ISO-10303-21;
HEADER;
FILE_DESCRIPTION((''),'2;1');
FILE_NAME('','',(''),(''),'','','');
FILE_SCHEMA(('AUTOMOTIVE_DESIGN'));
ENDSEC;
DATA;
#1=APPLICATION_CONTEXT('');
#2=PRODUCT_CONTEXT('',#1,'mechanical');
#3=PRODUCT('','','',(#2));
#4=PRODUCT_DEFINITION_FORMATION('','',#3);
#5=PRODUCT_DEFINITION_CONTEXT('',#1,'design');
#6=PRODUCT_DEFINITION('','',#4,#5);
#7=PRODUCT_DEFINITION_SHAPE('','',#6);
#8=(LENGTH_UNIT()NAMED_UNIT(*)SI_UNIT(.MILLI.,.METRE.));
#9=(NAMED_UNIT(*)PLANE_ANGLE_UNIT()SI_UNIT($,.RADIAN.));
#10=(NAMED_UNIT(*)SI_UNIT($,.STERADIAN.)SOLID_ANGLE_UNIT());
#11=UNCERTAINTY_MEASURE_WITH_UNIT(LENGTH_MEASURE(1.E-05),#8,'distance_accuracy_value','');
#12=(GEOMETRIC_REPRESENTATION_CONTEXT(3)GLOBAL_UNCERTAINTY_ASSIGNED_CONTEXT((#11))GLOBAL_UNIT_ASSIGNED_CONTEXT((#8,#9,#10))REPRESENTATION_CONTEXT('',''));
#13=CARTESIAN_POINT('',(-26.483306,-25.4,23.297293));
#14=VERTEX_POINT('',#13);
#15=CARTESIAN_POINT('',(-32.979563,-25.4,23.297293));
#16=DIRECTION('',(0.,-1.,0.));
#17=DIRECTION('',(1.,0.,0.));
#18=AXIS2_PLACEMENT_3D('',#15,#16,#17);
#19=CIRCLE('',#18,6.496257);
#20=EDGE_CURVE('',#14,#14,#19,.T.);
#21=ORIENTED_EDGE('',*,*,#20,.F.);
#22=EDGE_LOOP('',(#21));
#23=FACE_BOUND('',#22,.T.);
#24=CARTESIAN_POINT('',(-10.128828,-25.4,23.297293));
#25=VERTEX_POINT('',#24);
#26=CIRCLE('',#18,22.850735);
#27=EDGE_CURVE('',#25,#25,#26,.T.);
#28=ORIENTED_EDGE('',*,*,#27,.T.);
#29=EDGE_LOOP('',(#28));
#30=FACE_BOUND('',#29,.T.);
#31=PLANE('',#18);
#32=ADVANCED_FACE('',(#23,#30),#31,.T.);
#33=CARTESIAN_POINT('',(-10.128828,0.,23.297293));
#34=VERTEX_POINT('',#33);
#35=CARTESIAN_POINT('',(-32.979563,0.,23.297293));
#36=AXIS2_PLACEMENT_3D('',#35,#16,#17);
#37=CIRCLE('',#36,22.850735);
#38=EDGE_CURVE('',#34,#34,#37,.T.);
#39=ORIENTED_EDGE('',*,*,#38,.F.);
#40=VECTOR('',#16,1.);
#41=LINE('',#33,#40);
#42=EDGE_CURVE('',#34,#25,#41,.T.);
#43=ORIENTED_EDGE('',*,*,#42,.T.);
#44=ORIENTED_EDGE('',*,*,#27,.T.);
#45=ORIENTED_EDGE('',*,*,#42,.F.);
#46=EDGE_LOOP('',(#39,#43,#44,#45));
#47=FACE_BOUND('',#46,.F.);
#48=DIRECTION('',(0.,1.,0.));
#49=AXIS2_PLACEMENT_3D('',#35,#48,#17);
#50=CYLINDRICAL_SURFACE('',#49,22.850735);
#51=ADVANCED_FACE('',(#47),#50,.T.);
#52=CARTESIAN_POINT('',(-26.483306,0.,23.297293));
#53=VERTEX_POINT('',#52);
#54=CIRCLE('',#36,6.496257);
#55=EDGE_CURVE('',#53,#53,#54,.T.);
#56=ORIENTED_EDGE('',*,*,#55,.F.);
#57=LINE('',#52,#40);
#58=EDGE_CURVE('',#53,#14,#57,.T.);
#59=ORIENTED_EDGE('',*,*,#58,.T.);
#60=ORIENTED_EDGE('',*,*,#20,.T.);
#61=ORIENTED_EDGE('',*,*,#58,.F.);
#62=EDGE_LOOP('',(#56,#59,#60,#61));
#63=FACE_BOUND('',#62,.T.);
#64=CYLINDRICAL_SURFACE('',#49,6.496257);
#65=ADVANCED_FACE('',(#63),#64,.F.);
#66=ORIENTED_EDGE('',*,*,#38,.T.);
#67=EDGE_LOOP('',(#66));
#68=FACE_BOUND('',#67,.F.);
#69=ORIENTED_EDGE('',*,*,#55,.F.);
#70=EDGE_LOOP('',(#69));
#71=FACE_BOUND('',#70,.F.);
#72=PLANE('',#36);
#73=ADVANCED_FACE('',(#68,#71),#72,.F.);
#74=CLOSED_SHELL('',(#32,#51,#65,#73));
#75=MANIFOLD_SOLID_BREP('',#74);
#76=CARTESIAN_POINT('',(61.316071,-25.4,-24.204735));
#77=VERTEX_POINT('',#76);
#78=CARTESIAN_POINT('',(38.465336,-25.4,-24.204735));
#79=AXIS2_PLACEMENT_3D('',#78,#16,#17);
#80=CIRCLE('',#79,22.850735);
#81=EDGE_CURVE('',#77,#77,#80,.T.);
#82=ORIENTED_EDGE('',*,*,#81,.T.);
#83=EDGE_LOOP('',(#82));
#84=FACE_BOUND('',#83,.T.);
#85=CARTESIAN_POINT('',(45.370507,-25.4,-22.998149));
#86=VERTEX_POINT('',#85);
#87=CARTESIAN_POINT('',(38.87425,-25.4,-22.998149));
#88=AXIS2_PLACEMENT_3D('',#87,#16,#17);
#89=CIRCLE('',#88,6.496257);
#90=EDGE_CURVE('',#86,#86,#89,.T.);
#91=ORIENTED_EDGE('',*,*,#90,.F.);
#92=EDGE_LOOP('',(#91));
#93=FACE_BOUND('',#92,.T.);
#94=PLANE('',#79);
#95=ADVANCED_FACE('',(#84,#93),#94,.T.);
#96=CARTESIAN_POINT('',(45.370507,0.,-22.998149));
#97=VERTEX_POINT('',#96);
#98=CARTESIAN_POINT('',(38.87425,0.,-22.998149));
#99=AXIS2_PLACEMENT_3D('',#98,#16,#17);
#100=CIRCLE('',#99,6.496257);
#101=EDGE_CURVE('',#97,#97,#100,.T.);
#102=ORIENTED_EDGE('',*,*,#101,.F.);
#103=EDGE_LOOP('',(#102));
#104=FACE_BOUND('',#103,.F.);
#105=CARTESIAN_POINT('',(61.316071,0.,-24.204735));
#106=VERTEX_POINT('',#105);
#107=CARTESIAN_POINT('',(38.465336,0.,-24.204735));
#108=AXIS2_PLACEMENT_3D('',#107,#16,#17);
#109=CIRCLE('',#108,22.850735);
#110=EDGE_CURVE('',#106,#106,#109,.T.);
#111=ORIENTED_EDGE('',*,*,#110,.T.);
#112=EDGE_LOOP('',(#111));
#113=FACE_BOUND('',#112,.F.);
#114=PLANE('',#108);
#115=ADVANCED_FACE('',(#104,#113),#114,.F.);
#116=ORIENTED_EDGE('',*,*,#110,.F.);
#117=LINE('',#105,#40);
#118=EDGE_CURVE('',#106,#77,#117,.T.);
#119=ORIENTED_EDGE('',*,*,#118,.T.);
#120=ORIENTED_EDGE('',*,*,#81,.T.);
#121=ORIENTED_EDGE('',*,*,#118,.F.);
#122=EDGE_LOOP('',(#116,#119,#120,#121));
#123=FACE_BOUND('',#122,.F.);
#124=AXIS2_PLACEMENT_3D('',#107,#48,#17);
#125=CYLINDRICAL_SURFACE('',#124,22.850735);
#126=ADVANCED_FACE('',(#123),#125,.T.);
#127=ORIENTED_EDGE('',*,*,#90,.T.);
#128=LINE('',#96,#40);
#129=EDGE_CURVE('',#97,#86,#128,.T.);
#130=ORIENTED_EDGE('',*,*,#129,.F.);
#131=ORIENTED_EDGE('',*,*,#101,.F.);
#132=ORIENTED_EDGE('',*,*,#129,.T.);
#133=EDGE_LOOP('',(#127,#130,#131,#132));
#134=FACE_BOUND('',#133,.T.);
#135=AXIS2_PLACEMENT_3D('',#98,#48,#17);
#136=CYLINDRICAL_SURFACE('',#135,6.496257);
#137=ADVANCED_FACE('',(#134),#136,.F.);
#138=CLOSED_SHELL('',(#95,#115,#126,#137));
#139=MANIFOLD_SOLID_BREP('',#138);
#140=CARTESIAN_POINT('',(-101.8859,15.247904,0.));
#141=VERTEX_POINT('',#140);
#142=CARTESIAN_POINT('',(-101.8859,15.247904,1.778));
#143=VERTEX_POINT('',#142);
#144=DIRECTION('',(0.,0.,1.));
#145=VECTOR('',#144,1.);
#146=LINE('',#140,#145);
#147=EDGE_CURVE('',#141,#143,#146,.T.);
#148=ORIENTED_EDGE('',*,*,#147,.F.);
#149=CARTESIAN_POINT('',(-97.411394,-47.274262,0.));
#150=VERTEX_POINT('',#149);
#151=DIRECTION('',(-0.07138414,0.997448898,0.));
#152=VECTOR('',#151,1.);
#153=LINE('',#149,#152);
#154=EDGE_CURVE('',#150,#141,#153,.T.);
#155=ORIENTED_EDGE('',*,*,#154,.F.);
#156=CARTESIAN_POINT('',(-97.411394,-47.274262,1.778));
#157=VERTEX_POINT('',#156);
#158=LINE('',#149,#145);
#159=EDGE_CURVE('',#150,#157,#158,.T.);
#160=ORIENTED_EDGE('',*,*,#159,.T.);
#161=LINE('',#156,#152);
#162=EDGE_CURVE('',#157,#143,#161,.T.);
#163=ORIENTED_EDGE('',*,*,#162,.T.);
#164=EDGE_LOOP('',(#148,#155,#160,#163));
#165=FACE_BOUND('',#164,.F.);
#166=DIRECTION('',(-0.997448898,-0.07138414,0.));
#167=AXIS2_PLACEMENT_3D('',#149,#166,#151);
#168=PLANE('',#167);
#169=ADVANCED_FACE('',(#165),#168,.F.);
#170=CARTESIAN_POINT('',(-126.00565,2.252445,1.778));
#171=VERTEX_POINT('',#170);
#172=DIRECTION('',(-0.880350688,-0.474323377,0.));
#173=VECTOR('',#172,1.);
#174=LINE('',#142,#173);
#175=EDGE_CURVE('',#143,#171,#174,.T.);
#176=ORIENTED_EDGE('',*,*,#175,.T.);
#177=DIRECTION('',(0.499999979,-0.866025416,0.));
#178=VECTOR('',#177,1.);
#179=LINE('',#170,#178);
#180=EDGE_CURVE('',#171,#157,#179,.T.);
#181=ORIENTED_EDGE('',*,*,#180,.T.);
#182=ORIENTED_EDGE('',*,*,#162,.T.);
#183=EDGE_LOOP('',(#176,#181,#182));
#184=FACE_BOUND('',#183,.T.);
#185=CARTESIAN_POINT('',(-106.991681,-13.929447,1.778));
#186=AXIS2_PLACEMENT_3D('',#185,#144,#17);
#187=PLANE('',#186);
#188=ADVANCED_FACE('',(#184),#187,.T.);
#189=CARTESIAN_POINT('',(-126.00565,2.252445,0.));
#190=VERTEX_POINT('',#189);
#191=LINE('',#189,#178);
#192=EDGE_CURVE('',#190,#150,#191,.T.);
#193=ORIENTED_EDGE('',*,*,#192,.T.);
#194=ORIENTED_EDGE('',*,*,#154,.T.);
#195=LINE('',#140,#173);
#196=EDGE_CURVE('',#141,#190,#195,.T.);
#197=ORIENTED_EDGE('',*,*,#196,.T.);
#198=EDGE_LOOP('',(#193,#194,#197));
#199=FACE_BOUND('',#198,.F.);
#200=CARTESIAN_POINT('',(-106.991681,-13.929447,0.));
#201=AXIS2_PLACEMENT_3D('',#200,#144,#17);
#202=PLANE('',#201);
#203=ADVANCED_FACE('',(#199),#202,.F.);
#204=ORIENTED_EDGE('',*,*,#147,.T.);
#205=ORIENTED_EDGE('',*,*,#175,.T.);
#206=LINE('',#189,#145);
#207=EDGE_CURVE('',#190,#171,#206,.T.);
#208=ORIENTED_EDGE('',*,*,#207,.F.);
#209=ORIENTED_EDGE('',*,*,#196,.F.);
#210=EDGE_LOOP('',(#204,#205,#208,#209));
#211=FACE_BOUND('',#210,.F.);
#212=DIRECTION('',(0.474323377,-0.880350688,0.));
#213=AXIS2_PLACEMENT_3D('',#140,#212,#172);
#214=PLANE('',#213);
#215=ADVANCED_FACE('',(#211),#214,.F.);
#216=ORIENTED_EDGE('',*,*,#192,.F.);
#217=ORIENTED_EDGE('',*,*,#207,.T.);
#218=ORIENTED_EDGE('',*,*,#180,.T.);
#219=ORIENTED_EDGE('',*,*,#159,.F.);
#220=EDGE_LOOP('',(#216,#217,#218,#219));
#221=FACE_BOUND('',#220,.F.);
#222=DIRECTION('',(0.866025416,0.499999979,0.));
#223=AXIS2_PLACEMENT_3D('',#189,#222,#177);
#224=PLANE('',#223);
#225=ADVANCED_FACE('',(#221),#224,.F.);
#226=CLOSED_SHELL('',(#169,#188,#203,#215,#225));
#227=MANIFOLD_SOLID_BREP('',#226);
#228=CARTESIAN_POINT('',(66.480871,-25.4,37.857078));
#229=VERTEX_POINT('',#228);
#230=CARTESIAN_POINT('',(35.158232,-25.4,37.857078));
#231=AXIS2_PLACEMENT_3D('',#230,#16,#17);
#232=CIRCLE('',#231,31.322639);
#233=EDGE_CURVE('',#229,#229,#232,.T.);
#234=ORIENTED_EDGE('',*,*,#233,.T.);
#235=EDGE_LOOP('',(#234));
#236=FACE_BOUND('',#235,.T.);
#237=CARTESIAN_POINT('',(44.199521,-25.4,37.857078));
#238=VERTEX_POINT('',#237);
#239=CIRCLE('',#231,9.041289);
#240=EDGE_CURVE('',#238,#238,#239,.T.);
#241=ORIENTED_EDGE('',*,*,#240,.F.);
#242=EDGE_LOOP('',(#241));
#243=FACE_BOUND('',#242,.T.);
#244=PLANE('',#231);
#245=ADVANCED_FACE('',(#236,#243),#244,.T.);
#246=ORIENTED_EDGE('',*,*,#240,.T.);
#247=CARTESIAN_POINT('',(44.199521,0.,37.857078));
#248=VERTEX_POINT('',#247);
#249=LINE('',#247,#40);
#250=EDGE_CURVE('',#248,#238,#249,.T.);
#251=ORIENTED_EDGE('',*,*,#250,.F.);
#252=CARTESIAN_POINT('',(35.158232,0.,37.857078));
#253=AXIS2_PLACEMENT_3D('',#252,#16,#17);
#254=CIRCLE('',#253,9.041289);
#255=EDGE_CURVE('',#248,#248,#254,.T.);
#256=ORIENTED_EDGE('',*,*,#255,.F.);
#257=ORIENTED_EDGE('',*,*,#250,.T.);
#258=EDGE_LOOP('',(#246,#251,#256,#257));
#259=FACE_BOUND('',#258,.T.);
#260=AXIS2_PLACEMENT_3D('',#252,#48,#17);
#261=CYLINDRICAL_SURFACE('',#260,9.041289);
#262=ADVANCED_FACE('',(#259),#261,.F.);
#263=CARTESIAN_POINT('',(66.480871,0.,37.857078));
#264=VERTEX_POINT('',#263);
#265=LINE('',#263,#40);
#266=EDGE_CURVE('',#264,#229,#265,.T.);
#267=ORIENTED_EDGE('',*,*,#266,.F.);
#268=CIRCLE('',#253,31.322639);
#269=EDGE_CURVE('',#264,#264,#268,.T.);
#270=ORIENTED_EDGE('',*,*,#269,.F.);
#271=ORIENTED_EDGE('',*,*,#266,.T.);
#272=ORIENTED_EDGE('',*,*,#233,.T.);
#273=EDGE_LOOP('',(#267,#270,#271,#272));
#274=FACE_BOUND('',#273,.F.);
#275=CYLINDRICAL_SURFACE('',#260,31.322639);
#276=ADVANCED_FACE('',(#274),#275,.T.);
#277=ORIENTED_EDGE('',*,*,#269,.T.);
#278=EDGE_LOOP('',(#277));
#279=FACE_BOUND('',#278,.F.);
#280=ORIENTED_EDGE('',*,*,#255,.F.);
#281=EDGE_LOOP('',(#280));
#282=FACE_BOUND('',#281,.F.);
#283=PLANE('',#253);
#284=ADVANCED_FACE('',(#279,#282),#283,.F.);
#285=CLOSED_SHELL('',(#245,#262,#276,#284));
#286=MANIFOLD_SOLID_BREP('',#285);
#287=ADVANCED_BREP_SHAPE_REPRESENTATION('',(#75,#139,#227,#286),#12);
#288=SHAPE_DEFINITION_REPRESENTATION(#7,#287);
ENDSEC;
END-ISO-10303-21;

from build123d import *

# Parameters (mm, degrees)
F1_DEPTH = 1.778
F2_R     = 22.850735
F2_R_2   = 6.496257
F2_R_3   = 31.322639
F2_R_4   = 9.041289
F3_DEPTH = 25.4


with BuildPart() as f1:
    # F0 (on Top) → F1 (new body)
    with BuildSketch(Plane.XY):
        Polygon((-126.00565, 2.252445), (-97.411394, -47.274262), (-101.8859, 15.247904), align=None)
    extrude(amount=F1_DEPTH)


with BuildPart() as f3:
    # F2 (on Front) → F3 (new body)
    with BuildSketch(Plane.XZ):
        with Locations((-32.979563, 23.297293)):
            Circle(F2_R)
        with Locations((-32.979563, 23.297293)):
            Circle(F2_R_2, mode=Mode.SUBTRACT)
        with Locations((35.158232, 37.857078)):
            Circle(F2_R_3)
        with Locations((35.158232, 37.857078)):
            Circle(F2_R_4, mode=Mode.SUBTRACT)
        with Locations((38.465336, -24.204735)):
            Circle(F2_R)
        with Locations((38.87425, -22.998149)):
            Circle(F2_R_2, mode=Mode.SUBTRACT)
    extrude(amount=F3_DEPTH)


solid = Compound([f1.part, f3.part])
